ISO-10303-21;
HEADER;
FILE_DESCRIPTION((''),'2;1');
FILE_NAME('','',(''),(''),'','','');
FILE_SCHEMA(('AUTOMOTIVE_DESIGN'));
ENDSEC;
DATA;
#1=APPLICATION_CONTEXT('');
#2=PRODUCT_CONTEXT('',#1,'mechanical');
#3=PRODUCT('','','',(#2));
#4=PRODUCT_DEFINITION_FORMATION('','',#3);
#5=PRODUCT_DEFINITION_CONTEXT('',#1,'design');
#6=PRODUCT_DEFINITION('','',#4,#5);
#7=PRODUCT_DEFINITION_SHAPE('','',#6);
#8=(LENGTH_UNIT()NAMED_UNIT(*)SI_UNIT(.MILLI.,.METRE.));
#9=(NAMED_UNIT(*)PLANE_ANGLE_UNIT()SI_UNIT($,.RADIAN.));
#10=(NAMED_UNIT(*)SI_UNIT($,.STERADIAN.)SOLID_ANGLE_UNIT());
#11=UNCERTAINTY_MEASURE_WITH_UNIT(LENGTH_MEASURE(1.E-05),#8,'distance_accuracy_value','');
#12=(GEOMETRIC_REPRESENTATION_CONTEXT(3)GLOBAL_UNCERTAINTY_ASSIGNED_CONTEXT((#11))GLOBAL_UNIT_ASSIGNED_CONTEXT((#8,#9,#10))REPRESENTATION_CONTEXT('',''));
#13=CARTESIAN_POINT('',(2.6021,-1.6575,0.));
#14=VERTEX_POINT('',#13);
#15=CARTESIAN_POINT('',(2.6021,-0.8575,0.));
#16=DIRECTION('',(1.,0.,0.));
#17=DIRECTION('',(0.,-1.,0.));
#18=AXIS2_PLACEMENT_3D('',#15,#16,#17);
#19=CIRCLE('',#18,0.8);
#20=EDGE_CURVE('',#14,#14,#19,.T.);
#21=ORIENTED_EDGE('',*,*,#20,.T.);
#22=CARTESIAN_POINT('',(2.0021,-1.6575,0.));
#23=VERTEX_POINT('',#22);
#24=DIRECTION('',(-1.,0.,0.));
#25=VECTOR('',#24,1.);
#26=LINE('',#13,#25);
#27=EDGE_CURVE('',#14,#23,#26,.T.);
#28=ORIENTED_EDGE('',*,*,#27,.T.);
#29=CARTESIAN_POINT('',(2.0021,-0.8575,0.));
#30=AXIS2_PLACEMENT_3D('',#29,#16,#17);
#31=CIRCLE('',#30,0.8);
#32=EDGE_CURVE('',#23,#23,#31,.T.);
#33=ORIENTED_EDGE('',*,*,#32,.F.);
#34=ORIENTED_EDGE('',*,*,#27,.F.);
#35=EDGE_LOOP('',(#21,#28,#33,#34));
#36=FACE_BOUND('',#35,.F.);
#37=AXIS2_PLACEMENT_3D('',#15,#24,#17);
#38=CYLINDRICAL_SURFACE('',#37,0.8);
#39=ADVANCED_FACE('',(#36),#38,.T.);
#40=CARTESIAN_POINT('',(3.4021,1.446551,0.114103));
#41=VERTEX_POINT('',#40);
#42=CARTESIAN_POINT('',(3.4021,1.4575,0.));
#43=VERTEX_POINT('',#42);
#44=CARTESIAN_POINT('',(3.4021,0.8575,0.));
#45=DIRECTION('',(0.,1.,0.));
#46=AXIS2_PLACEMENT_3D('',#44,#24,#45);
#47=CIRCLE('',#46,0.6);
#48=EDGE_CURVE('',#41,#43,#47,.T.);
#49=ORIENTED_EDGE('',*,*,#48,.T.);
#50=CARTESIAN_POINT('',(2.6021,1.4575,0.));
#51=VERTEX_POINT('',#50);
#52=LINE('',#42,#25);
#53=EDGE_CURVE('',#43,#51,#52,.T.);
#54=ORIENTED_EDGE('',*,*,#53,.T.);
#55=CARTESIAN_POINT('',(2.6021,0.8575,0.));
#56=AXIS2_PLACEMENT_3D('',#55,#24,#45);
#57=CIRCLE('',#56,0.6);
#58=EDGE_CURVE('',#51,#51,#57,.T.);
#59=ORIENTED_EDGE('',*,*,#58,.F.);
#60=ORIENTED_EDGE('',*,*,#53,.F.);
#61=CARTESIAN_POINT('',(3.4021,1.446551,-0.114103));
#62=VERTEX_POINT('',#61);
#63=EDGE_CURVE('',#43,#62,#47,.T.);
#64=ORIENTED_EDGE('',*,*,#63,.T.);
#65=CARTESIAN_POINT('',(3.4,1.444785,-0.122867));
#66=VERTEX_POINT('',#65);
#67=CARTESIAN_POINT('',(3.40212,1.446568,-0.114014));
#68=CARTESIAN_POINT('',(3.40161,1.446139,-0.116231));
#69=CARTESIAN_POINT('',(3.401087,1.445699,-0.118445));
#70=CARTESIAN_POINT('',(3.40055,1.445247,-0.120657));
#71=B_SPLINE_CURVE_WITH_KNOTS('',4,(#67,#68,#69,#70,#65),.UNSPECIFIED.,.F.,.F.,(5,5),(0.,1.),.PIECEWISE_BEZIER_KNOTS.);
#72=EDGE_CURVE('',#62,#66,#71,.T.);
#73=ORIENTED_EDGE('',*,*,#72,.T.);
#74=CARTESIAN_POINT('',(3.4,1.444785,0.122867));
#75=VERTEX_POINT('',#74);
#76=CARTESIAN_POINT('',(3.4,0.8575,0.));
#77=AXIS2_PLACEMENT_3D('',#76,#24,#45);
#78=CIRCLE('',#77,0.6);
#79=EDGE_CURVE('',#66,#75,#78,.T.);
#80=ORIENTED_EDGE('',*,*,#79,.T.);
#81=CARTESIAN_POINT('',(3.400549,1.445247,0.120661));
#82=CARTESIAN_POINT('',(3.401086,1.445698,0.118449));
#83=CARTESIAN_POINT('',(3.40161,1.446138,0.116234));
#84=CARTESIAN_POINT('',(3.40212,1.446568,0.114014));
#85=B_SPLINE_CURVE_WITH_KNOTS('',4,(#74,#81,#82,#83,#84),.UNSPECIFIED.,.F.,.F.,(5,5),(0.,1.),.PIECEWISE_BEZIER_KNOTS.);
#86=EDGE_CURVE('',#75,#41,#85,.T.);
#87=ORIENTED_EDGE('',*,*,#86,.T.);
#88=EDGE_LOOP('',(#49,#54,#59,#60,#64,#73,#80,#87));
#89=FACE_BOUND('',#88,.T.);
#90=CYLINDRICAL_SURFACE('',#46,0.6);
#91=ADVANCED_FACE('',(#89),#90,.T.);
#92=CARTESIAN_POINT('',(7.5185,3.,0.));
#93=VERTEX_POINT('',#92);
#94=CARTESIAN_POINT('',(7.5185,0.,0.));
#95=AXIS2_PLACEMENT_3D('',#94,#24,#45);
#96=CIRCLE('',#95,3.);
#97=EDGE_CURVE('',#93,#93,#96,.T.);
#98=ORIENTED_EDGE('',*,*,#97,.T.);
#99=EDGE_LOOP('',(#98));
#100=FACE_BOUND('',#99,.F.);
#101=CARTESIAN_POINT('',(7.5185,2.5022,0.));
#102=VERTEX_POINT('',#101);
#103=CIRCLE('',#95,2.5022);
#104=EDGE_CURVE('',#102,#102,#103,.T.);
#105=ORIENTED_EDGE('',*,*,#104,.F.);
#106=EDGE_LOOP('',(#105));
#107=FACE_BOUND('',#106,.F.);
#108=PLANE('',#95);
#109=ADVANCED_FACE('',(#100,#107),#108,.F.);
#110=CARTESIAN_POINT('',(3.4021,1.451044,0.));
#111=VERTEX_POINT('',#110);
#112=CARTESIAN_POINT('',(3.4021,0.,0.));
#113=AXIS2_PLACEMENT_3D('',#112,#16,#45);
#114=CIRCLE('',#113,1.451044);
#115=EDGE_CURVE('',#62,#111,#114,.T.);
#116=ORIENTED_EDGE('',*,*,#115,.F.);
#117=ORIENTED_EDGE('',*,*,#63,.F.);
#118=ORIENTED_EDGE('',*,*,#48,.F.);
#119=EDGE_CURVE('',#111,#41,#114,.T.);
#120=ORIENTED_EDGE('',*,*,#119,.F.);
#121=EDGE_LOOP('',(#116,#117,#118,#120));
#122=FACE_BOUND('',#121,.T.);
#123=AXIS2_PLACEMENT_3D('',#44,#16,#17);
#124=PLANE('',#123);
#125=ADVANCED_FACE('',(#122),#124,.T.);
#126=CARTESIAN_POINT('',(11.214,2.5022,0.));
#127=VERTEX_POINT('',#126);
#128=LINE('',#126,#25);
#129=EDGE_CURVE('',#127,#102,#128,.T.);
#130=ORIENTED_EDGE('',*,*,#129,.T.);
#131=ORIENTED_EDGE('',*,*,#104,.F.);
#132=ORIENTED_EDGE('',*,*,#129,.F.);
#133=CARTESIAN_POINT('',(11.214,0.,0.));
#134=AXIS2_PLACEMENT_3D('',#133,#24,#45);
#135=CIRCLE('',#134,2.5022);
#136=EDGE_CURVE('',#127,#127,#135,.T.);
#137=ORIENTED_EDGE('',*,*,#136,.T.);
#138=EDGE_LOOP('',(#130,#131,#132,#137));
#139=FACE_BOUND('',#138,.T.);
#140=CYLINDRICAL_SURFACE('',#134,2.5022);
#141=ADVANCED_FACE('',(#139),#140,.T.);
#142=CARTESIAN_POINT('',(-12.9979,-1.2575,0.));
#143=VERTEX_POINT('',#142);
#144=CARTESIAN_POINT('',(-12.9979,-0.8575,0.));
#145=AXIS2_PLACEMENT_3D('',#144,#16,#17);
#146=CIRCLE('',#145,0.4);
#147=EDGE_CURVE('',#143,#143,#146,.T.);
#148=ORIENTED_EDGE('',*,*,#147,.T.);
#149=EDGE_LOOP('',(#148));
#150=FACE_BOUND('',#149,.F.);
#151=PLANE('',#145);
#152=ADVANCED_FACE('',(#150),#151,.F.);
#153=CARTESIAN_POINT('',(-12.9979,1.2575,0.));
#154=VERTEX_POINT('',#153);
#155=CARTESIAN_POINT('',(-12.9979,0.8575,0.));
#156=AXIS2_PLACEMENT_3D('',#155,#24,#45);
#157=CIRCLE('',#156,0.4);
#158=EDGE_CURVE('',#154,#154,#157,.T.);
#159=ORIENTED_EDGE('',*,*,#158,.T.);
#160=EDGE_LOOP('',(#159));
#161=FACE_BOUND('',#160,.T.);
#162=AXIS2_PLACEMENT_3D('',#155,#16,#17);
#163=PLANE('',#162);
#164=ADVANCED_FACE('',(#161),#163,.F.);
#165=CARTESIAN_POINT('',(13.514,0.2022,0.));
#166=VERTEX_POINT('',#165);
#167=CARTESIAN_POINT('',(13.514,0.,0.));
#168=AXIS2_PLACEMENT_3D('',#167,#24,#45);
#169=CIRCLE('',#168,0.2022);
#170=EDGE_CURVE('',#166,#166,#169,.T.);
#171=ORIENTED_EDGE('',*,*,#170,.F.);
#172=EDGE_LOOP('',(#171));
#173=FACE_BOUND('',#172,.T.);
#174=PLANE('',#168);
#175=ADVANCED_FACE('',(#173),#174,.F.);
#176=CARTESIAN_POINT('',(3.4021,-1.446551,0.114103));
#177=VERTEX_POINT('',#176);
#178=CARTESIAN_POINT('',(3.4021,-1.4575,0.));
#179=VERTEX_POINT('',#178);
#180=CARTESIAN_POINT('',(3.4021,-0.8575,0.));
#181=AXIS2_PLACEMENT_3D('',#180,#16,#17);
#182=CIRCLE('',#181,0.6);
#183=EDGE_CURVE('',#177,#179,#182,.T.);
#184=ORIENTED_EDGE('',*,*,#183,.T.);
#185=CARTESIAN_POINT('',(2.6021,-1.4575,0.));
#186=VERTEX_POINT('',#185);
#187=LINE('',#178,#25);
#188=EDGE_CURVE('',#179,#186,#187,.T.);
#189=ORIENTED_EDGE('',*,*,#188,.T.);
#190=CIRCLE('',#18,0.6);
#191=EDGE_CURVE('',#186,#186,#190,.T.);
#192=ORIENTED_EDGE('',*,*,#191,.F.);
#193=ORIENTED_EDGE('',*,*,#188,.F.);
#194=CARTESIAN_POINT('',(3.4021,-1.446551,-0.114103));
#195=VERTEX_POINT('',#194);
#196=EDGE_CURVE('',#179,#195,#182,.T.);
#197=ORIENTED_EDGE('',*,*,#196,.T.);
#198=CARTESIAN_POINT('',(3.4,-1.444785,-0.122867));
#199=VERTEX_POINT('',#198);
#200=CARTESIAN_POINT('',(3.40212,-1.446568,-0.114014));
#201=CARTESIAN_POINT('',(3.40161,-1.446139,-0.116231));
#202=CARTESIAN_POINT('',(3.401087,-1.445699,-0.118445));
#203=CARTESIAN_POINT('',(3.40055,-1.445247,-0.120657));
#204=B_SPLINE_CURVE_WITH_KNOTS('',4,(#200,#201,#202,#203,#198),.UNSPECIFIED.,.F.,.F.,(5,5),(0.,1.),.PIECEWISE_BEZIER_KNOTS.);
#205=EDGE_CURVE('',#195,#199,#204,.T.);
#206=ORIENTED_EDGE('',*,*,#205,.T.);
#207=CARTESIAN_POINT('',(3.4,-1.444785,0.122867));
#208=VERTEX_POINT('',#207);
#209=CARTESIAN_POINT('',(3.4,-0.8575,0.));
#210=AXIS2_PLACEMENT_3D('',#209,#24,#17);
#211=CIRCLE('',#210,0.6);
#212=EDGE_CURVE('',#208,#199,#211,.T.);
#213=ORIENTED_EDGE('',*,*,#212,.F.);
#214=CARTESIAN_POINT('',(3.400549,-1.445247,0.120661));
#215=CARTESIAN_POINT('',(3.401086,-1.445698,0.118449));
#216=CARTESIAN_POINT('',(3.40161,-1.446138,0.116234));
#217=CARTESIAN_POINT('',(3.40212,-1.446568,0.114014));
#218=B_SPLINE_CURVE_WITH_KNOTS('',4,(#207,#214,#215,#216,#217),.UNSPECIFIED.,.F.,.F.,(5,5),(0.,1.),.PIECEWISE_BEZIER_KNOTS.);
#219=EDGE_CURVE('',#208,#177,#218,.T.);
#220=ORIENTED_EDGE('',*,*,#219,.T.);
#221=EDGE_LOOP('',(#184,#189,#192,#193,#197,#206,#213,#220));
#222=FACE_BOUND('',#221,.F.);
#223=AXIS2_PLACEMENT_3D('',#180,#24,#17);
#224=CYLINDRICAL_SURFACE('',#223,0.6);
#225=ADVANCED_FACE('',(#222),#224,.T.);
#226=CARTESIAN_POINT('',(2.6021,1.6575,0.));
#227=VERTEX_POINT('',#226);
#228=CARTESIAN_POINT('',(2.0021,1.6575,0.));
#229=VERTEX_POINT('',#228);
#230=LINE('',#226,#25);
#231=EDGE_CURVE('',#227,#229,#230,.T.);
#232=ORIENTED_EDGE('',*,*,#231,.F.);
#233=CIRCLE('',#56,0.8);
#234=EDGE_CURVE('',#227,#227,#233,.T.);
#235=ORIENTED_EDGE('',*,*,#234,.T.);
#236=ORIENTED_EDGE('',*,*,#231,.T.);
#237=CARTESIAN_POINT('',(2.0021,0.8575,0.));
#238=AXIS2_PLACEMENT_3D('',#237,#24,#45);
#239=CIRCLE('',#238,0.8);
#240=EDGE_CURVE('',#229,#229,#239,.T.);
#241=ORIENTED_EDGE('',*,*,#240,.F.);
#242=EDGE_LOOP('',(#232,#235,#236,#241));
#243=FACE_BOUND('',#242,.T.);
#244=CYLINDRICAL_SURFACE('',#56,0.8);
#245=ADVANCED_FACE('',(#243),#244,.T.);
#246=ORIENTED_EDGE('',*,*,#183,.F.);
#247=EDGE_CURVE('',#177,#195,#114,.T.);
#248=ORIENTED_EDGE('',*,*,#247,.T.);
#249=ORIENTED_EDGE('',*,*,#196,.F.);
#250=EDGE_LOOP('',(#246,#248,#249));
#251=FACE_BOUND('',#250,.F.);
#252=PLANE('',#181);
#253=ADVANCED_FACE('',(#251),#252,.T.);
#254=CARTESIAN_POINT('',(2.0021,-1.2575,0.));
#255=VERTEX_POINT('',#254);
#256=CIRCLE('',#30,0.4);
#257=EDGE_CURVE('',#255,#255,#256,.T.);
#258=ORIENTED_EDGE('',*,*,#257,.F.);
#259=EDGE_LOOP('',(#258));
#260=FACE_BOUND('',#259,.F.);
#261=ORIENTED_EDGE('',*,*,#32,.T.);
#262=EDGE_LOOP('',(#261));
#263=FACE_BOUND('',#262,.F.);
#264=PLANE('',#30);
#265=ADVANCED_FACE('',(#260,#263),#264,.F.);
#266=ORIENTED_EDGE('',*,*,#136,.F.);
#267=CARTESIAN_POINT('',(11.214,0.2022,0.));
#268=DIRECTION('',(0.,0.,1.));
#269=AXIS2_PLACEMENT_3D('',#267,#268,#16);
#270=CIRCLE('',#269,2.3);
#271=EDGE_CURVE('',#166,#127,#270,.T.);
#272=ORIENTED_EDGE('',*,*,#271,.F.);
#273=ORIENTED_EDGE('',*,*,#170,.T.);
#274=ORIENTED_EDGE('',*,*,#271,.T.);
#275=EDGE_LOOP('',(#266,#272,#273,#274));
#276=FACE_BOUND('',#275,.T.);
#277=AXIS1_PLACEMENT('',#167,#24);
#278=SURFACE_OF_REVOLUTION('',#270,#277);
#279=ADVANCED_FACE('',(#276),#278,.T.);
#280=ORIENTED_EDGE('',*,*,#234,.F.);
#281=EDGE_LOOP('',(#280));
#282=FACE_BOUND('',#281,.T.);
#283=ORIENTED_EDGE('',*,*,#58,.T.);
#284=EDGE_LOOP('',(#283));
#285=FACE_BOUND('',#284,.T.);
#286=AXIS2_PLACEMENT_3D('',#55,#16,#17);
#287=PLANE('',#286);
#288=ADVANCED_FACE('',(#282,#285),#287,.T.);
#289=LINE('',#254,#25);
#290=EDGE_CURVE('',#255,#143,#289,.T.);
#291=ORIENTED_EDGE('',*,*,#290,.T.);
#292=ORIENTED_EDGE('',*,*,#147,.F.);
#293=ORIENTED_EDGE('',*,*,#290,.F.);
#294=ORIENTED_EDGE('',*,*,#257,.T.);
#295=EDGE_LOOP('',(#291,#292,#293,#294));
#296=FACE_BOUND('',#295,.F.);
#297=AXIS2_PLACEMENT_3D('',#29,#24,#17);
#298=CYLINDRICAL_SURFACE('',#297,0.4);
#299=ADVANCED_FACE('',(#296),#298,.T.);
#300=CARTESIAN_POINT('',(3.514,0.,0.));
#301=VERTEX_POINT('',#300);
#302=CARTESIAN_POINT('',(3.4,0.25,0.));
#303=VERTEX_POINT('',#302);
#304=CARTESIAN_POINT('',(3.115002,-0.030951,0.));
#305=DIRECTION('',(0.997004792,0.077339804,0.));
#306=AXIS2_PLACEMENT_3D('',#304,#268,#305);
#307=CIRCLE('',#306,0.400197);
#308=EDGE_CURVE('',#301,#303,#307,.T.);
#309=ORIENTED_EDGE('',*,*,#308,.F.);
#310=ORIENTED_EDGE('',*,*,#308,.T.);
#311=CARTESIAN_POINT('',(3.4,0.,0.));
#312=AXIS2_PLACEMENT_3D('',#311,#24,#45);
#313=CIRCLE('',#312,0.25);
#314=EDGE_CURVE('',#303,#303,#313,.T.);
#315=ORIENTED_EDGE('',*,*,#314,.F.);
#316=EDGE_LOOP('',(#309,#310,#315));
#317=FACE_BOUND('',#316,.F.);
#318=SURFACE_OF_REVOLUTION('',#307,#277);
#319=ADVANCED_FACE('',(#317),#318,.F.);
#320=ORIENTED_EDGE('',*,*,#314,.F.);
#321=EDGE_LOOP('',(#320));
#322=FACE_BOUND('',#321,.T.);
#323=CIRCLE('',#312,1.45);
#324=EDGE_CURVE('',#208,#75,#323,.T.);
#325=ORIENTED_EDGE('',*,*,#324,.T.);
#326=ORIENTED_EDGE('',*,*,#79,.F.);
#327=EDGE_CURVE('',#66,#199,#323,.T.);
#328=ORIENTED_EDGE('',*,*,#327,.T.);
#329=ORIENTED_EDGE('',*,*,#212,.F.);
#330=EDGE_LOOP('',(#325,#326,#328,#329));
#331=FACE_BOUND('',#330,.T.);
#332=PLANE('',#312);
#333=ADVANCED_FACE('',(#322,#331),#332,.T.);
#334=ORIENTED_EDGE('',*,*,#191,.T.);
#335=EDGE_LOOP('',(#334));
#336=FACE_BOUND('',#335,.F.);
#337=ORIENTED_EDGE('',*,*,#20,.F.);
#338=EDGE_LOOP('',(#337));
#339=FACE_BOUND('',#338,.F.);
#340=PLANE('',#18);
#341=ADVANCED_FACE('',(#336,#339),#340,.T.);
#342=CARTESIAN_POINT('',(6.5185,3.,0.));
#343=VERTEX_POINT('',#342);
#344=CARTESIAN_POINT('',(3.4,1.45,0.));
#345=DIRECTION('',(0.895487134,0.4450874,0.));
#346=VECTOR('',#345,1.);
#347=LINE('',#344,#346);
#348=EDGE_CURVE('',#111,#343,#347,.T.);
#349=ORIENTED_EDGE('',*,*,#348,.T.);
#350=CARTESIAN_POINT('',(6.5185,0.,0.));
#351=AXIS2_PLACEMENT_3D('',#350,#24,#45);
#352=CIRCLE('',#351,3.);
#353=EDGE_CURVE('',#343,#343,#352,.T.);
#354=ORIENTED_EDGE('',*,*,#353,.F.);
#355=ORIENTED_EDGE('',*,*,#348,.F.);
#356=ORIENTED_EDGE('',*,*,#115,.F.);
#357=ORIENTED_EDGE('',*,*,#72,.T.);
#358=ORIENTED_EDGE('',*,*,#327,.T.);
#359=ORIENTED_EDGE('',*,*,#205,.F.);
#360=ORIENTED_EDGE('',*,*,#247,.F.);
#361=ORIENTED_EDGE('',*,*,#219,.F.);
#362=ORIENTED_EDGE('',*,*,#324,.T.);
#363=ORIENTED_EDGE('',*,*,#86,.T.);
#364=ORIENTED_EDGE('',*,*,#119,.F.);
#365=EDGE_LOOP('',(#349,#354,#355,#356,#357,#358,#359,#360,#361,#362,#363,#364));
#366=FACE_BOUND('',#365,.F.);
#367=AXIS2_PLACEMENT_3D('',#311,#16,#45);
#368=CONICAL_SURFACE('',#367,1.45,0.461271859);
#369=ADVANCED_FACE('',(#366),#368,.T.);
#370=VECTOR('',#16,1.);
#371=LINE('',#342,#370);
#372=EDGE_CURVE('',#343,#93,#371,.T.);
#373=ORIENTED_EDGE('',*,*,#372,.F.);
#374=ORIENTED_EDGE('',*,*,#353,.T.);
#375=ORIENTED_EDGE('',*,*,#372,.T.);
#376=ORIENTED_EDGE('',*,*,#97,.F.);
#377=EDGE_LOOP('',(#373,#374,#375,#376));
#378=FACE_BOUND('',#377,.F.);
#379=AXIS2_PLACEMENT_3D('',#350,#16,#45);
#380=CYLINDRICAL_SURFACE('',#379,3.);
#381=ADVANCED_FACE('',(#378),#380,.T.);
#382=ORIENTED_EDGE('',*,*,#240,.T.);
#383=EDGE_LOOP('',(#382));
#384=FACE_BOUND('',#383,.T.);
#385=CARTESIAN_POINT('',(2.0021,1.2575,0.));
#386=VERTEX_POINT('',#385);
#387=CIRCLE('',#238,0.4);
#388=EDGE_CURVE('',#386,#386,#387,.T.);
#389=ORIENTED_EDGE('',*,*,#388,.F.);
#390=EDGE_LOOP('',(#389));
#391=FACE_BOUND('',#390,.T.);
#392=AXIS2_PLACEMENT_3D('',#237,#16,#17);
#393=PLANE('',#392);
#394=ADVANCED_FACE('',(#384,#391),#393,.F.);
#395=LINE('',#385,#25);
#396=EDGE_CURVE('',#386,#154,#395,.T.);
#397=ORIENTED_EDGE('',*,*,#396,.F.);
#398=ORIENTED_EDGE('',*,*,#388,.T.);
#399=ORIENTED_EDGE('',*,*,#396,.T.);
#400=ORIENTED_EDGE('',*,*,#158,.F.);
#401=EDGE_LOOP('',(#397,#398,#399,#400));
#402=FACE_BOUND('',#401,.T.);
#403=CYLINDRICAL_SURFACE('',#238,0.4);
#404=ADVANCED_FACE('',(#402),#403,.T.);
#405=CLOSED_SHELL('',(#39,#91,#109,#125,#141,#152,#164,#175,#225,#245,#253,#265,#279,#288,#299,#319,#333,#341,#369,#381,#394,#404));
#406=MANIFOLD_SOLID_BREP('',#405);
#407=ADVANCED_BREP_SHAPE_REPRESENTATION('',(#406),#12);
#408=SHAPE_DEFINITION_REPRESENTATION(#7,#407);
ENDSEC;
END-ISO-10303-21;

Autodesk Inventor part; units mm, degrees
ref_plane "YZ Plane" through (0, 0, 0) normal (1, 0, 0) x (0, 1, 0)
ref_plane "XZ Plane" through (0, 0, 0) normal (0, 1, 0) x (-1, 0, 0)
ref_plane "XY Plane" through (0, 0, 0) normal (0, 0, 1) x (1, 0, 0)
sketch "Sketch1" plane through (0, 0, 0) normal (0, 0, 1) x (1, 0, 0)
  line L0 (9.5185, 2.5022) -> (7.5185, 2.5022)
  line L1 (13.514, 0) -> (13.514, 0.2022)
  line L2 (11.214, 2.5022) -> (9.5185, 2.5022)
  arc A0 (13.514, 0.2022) -> (11.214, 2.5022) centre (11.214, 0.2022) ccw
  line L3 (13.514, 0) -> (3.514, 0)
  line L4 (-13, 1.25) -> (2, 1.25)
  line L5 (2, 1.65) -> (2.6, 1.65)
  line L6 (2.6, 1.65) -> (2.6, 1.45)
  line L7 (2.6, 1.45) -> (3.4, 1.45)
  line L8 (3.4, 1.45) -> (6.5185, 3)
  line L9 (-13, 1.25) -> (-13, 0.45)
  line L10 (-13, 0.45) -> (2, 0.45)
  line L11 (2, 0.45) -> (2, 0.05)
  line L12 (2, 0.05) -> (2.6, 0.05)
  line L13 (2.6, 0.05) -> (2.6, 0.25)
  line L14 (2.6, 0.25) -> (3.4, 0.25)
  line L15 (3.4, 1.45) -> (3.4, 0.25)
  line L16 (2, 1.65) -> (2, 1.25)
  line L17 (7.5185, 2.5022) -> (9.5185, 2.5022)
  arc A1 (3.514, 0) -> (3.4, 0.25) centre (3.1152, -0.0309) ccw
  line L18 (6.5185, 0) -> (6.5185, 0)
  line L19 (6.5185, 0) -> (6.5185, 3)
  line L20 (6.5185, 3) -> (7.5185, 3)
  line L21 (7.5185, 3) -> (7.5185, 0)
  dimension "d8" = 3
  dimension "d13" = 2.3
  dimension "d14" = 10
  dimension "d17" = 15
  dimension "d23" = 0.6
  dimension "d24" = 0.2
  dimension "d25" = 0.8
  dimension "d26" = 0.8
  dimension "d27" = 15
  dimension "d28" = 0.4
  dimension "d29" = 0.6
  dimension "d30" = 0.2
  dimension "d31" = 2
  dimension "d32" = 0.4
  dimension "d33" = 3
  dimension "d34" = 1
revolve "Revolution1" add sketch "Sketch1" angle 360 about axis through (13.514, 0, 0) along (-1, 0, 0) contours L2 A0 L1 L3 L21 L0 | L21 L3 L19 L20 | L19 L3 A1 L15 L8
ref_plane "Work Plane1" through (3.4, 0, 0) normal (-1, 0, 0) x (0, 0, 1)
sketch "Sketch2" plane through (3.4, 0, 0) normal (-1, 0, 0) x (0, 0, 1)
  point P0 (0, 0)
sketch "Sketch3" plane through (3.4, 0, 0) normal (-1, 0, 0) x (0, 0, 1)
  line L0 (0, 0) -> (0, -1.25)
  line L1 (0, 0) -> (0, 1.25)
  dimension "d39" = 1.25
  dimension "d40" = 1.25
sketch "Sketch4" plane through (0, 0, 0) normal (0, 0, 1) x (1, 0, 0)
  line L0 (3.4021, -1.4575) -> (2.6021, -1.4575)
  line L1 (2.6021, -1.4575) -> (2.6021, -1.6575)
  line L2 (2.6021, -1.6575) -> (2.0021, -1.6575)
  line L3 (2.0021, -1.6575) -> (2.0021, -1.2575)
  line L4 (2.0021, -1.2575) -> (-12.9979, -1.2575)
  line L5 (-12.9979, -1.2575) -> (-12.9979, -0.4575)
  line L6 (-12.9979, -0.4575) -> (2.0021, -0.4575)
  line L7 (2.0021, -0.4575) -> (2.0021, -0.0575)
  line L8 (2.0021, -0.0575) -> (2.6021, -0.0575)
  line L9 (2.6021, -0.0575) -> (2.6021, -0.2575)
  line L10 (2.6021, -0.2575) -> (3.4021, -0.2575)
  line L11 (3.4021, -0.2575) -> (3.4021, -1.4575)
  line L12 (-12.9979, -0.8575) -> (3.4021, -0.8575)
  point P0 (0, 0)
  dimension "d41" = 0.8
  dimension "d42" = 0.2
  dimension "d43" = 0.6
  dimension "d44" = 0.4
  dimension "d45" = 15
  dimension "d46" = 0.8
  dimension "d47" = 15
  dimension "d48" = 0.4
  dimension "d49" = 0.6
  dimension "d50" = 0.2
  dimension "d51" = 0.8
revolve "Revolution2" add sketch "Sketch4" angle 360 about axis through (-12.9979, -0.8575, 0) along (1, 0, 0) contours L0 L1 L2 L3 L4 L5 L12 L11
mirror "Mirror1" about plane through (0, 0, 0) normal (0, 1, 0) of "Revolution2"
equation "\"BendRadius\" = Thickness"
equation "\"BendReliefWidth\" = Thickness"
equation "\"BendReliefDepth\" = 0.5 * Thickness"
equation "\"CornerReliefSize\" = 4 * Thickness"
equation "\"MinimumRemnant\" = 2 * Thickness"
equation "\"TransitionRadius\" = BendRadius"
equation "\"JacobiRadiusSize\" = BendRadius"
equation "\"GapSize\" = Thickness"
equation "\"Thickness\" = 3.048"
properties part number "АЛ307"
